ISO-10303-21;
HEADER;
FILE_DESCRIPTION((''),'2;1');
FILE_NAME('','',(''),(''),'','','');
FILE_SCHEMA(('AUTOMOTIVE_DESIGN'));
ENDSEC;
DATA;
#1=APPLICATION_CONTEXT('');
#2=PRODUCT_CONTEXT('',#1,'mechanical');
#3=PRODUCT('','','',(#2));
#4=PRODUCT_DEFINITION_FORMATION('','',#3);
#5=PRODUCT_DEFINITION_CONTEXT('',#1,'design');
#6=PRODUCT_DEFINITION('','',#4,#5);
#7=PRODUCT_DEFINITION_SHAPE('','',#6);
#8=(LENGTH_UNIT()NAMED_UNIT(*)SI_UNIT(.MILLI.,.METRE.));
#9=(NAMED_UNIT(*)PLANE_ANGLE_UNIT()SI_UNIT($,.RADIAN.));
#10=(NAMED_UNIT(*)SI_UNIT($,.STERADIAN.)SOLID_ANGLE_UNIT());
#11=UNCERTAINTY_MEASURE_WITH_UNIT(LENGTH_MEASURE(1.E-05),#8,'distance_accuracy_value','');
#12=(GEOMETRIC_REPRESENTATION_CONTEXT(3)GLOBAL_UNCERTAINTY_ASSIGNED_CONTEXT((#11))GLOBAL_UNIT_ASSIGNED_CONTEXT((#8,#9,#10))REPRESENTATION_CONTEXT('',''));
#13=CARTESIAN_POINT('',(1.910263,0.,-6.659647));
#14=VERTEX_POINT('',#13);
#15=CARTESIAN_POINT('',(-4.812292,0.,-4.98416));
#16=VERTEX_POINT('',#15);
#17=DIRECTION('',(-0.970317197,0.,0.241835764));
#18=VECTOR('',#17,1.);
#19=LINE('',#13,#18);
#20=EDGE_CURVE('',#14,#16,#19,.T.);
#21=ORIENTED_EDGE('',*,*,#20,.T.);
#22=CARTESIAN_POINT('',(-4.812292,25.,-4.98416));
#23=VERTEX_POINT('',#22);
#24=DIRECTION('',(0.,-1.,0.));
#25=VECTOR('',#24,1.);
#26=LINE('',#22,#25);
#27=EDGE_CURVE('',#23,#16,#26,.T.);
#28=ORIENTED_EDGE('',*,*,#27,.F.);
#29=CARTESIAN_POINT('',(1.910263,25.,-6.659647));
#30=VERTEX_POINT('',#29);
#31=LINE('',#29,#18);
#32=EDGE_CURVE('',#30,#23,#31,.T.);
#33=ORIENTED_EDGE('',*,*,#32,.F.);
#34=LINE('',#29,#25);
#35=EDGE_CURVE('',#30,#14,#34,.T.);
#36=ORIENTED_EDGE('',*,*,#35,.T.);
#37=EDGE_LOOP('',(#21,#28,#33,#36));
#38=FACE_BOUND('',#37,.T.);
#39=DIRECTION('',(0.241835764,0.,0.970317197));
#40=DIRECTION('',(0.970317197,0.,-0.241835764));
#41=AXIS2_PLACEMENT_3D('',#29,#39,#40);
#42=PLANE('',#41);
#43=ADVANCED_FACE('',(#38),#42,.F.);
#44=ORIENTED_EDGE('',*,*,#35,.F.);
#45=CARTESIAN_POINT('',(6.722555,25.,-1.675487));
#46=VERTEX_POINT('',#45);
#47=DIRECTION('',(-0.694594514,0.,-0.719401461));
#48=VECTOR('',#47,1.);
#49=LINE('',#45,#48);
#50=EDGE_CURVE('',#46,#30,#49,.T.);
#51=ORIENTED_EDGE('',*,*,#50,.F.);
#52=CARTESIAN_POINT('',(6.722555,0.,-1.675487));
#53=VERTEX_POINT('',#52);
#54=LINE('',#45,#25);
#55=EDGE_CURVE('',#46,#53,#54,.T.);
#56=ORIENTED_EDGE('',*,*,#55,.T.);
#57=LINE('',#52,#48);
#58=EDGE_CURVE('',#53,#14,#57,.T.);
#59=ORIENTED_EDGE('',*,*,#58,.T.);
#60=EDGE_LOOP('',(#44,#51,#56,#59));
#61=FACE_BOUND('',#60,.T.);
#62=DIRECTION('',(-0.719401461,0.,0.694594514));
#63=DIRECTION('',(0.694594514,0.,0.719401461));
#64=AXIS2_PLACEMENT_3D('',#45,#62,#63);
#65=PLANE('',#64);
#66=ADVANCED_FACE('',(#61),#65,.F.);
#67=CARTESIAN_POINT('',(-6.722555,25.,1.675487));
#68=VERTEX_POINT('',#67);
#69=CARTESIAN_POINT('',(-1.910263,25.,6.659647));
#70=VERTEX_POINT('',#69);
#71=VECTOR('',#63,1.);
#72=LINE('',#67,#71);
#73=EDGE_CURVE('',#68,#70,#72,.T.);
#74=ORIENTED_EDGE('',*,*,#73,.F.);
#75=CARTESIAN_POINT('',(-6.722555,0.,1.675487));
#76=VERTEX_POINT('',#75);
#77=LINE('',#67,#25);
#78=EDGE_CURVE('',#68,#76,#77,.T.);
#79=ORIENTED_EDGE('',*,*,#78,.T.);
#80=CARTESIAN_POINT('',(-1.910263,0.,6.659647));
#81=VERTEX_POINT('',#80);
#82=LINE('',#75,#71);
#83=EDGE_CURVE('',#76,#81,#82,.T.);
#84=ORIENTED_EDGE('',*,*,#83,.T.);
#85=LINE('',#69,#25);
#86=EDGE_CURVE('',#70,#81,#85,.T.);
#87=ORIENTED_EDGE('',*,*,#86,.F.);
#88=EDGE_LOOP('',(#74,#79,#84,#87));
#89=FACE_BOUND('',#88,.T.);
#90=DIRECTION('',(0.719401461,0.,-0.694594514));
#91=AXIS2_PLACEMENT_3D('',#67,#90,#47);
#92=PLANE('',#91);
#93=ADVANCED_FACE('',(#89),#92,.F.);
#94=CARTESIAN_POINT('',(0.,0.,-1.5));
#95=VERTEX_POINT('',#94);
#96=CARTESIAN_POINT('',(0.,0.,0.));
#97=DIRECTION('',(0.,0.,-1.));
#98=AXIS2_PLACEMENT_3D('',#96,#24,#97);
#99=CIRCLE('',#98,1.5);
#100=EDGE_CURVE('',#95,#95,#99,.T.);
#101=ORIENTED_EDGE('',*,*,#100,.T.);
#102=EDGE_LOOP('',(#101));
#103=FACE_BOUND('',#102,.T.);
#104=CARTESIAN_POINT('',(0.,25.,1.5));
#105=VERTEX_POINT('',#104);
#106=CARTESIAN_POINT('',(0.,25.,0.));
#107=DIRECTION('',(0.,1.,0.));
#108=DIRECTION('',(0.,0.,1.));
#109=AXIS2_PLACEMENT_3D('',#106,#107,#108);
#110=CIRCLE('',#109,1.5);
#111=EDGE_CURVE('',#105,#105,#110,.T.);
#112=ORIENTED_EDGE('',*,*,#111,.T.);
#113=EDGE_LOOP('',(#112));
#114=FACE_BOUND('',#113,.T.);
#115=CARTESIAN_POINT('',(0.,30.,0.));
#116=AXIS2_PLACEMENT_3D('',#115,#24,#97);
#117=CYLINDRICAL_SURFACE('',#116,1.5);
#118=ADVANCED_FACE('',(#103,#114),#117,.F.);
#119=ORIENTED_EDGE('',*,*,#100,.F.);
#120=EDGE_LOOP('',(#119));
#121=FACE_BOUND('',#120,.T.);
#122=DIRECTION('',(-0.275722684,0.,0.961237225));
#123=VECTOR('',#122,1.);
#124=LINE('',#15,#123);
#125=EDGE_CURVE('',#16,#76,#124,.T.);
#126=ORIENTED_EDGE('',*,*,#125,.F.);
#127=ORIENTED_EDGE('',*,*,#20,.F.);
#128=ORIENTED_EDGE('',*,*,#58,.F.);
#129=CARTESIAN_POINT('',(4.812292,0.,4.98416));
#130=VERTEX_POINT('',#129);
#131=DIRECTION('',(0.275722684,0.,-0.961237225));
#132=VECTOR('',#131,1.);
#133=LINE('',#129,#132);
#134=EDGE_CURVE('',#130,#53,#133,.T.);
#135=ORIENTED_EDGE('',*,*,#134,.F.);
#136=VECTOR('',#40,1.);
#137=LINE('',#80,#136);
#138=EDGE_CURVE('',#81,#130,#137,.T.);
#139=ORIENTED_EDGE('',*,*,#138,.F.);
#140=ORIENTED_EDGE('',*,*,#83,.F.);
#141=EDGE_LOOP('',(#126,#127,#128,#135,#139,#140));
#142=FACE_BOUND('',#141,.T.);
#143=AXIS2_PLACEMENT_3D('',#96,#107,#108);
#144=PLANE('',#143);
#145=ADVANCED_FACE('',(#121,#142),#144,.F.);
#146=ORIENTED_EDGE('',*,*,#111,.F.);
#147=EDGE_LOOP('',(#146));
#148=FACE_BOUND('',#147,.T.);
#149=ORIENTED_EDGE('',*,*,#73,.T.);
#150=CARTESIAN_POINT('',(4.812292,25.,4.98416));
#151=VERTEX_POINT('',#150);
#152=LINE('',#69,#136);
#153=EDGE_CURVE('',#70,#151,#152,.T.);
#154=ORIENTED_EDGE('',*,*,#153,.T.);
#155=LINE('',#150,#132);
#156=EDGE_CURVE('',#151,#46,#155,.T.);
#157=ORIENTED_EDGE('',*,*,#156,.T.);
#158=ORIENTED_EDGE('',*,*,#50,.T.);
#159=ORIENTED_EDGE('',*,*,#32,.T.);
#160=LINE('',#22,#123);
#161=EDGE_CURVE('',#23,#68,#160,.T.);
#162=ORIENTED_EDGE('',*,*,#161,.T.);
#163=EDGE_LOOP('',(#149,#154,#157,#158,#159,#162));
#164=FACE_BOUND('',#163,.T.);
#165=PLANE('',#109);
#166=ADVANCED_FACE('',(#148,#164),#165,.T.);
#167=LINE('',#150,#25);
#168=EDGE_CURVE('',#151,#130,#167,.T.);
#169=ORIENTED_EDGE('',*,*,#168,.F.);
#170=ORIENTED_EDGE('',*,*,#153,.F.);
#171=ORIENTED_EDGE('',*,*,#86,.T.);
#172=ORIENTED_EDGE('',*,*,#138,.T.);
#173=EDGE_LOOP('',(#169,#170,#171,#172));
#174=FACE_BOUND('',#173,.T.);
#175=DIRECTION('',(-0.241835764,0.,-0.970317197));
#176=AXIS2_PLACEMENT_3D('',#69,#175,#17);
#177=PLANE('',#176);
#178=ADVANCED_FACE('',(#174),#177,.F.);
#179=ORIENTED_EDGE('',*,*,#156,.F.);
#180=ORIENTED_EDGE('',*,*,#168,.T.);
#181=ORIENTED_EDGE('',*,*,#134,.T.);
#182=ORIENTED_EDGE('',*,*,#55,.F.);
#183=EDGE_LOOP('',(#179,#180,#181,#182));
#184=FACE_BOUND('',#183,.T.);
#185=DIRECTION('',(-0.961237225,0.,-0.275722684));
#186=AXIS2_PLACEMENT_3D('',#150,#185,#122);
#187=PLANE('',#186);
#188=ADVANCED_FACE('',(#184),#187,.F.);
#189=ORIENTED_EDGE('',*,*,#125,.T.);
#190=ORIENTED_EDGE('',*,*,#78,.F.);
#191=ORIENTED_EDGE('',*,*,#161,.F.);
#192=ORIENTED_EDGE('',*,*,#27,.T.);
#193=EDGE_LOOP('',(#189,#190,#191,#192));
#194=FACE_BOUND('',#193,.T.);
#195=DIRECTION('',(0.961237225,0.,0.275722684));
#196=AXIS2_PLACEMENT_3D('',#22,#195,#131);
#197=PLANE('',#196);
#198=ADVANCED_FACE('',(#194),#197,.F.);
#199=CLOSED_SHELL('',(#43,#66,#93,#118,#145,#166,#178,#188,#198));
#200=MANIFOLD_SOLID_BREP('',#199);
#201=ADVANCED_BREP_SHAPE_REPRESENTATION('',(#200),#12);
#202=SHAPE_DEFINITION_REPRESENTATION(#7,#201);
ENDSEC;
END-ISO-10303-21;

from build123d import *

# Parameters (mm, degrees)
RESSALTO_EXTRUS_O1_DEPTH = 25
ESBO_O2_R                = 1.5
CORTE_EXTRUS_O1_DEPTH    = 30


with BuildPart() as part:
    # Esboço1 → Ressalto-extrusão1 (new body)
    with BuildSketch(Plane(origin=(0, 0, 0), x_dir=(1, 0, 0), z_dir=(0, 1, 0))):
        Polygon((4.812291954, -4.984159523), (6.72255474, 1.675487321), (1.910262787, 6.659646844), (-4.812291954, 4.984159523), (-6.72255474, -1.675487321), (-1.910262787, -6.659646844), align=None)
    extrude(amount=RESSALTO_EXTRUS_O1_DEPTH)

    # Esboço2 → Corte-extrusão1 (cut)
    with BuildSketch(Plane.XZ):
        with Locations(Location((0, 0, 0), (0, 0, 270))):
            Circle(ESBO_O2_R)
    extrude(amount=-CORTE_EXTRUS_O1_DEPTH, mode=Mode.SUBTRACT)


solid = part.part
